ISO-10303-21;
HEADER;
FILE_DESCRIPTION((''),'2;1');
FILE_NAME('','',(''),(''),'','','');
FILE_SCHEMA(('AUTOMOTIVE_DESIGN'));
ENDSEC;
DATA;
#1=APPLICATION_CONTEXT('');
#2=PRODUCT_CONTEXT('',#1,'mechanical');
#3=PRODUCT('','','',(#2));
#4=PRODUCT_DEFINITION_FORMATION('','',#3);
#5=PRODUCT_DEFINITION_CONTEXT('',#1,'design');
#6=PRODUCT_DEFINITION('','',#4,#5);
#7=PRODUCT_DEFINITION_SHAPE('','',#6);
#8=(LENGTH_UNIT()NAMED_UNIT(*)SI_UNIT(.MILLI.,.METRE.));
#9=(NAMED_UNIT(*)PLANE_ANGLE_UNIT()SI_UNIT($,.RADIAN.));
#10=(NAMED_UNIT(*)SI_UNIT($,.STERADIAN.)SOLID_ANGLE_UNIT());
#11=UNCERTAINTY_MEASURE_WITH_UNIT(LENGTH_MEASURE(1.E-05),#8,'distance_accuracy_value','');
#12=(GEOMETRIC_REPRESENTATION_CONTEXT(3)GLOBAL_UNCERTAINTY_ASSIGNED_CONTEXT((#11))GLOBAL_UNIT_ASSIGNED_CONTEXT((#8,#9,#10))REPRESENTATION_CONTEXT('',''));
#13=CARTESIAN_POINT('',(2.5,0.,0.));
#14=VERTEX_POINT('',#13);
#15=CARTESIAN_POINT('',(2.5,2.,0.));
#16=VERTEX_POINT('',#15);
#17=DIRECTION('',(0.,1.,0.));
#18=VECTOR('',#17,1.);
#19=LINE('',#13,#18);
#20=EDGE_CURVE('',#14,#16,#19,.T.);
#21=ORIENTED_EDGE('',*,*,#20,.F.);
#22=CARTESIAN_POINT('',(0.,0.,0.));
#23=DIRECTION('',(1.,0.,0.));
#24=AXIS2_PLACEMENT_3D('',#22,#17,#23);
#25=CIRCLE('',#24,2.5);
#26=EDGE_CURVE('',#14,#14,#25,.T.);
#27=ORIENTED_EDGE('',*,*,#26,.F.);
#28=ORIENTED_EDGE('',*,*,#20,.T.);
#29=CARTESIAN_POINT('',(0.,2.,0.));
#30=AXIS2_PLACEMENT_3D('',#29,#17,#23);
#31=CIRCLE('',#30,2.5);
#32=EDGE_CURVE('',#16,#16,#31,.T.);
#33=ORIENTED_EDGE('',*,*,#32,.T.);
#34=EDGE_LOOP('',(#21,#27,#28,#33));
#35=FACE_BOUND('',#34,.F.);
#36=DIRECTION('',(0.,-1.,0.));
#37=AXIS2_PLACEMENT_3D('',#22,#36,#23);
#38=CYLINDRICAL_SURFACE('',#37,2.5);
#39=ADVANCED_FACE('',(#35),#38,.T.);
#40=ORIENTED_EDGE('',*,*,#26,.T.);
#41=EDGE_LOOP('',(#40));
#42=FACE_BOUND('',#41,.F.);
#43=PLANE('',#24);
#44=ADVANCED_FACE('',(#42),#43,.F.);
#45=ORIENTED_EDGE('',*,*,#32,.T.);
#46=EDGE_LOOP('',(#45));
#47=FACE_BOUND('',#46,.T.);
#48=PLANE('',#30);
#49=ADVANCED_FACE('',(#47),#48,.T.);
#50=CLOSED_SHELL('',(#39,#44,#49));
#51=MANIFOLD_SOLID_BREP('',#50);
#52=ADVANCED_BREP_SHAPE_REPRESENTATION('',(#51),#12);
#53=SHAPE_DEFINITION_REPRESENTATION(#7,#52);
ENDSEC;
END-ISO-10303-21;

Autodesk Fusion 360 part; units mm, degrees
sketch "Sketch1" plane through (0, 0, 0) normal (0, 1, 0) x (1, 0, 0)
  circle A0 centre (0, 0) radius 2.5
  dimension "d1" = 5
extrude "Extrude1" add sketch "Sketch1" along normal blind 2
